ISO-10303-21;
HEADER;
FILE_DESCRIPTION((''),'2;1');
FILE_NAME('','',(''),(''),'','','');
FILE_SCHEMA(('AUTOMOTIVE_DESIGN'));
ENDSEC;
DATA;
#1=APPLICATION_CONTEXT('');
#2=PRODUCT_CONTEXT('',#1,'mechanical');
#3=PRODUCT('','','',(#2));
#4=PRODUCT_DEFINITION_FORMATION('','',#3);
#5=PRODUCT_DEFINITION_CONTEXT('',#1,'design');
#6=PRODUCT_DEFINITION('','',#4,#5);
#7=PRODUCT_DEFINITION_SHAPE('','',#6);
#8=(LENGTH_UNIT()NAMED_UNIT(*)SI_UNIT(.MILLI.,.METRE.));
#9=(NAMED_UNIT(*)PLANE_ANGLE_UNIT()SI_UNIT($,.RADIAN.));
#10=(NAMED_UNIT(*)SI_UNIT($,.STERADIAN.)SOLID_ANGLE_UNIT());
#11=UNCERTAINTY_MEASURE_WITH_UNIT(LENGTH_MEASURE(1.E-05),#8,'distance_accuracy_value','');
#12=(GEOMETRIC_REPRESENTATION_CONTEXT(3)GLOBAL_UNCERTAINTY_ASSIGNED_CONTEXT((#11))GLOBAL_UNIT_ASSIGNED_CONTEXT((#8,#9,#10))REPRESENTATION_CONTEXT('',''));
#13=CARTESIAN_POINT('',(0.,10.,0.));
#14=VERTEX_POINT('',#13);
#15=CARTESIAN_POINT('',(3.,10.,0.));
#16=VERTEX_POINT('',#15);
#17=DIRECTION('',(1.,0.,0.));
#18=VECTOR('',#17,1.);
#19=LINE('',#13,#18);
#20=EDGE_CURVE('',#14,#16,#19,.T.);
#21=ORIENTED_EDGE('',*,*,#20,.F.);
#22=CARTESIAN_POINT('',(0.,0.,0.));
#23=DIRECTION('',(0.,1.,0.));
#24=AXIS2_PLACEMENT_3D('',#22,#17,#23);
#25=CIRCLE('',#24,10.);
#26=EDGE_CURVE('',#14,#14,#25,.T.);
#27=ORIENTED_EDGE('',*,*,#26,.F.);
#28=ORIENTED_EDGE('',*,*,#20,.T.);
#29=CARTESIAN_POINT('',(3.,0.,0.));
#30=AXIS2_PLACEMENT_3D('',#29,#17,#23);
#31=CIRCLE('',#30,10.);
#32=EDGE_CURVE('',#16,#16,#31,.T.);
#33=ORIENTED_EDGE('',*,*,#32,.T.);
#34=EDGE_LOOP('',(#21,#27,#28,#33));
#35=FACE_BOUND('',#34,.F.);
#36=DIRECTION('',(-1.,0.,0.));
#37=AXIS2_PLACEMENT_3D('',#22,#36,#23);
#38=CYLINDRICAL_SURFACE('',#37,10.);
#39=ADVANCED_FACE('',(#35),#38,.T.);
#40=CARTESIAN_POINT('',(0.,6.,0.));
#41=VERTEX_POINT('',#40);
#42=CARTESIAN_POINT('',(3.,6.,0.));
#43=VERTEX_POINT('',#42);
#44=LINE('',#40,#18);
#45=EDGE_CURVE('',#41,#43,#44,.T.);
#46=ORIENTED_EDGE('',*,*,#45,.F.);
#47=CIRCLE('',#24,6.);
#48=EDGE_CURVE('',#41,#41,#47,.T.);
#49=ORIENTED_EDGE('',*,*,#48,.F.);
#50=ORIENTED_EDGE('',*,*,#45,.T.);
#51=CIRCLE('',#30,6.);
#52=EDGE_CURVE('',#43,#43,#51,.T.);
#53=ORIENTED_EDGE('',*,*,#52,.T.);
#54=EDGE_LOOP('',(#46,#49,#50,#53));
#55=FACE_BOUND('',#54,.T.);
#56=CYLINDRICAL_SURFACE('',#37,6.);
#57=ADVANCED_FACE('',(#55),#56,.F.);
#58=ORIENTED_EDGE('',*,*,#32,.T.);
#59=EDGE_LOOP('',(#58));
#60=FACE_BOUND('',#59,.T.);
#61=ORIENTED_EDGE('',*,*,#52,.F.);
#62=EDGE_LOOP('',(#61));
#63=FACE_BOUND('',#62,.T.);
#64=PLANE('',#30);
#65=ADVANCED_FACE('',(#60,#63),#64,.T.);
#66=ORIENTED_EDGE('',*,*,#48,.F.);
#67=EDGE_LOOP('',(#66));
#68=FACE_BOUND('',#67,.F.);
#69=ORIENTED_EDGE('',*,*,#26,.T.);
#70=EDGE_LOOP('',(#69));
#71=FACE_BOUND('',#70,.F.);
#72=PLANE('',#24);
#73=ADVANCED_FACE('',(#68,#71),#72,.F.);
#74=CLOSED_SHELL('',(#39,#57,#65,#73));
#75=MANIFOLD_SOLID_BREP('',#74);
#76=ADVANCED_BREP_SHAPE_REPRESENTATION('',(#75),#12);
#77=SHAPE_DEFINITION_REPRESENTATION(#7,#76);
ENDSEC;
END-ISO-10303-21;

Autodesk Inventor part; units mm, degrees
ref_plane "YZ Plane" through (0, 0, 0) normal (1, 0, 0) x (0, 1, 0)
ref_plane "XZ Plane" through (0, 0, 0) normal (0, 1, 0) x (-1, 0, 0)
sketch "Szkic" plane through (0, 0, 0) normal (1, 0, 0) x (0, 1, 0)
  circle A0 centre (0, 0) radius 10
  circle A1 centre (0, 0) radius 6
  dimension "d0" = 12
  dimension "d1" = 20
extrude "Bryła" add sketch "Szkic" along normal blind 3
ref_plane "Work Plane1" through (0, 0, 0) normal (0, 0, 1) x (1, 0, 0)
equation "\"d0\" = SD1"
equation "\"d1\" = SD2"
equation "\"d2\" = SD"
equation "\"SD1\" = 12"
equation "\"SD2\" = 20"
equation "\"SD\" = 3"
equation "\"NND\" = 12"
properties part number "ISO 8738 - 12" material "Stal"
